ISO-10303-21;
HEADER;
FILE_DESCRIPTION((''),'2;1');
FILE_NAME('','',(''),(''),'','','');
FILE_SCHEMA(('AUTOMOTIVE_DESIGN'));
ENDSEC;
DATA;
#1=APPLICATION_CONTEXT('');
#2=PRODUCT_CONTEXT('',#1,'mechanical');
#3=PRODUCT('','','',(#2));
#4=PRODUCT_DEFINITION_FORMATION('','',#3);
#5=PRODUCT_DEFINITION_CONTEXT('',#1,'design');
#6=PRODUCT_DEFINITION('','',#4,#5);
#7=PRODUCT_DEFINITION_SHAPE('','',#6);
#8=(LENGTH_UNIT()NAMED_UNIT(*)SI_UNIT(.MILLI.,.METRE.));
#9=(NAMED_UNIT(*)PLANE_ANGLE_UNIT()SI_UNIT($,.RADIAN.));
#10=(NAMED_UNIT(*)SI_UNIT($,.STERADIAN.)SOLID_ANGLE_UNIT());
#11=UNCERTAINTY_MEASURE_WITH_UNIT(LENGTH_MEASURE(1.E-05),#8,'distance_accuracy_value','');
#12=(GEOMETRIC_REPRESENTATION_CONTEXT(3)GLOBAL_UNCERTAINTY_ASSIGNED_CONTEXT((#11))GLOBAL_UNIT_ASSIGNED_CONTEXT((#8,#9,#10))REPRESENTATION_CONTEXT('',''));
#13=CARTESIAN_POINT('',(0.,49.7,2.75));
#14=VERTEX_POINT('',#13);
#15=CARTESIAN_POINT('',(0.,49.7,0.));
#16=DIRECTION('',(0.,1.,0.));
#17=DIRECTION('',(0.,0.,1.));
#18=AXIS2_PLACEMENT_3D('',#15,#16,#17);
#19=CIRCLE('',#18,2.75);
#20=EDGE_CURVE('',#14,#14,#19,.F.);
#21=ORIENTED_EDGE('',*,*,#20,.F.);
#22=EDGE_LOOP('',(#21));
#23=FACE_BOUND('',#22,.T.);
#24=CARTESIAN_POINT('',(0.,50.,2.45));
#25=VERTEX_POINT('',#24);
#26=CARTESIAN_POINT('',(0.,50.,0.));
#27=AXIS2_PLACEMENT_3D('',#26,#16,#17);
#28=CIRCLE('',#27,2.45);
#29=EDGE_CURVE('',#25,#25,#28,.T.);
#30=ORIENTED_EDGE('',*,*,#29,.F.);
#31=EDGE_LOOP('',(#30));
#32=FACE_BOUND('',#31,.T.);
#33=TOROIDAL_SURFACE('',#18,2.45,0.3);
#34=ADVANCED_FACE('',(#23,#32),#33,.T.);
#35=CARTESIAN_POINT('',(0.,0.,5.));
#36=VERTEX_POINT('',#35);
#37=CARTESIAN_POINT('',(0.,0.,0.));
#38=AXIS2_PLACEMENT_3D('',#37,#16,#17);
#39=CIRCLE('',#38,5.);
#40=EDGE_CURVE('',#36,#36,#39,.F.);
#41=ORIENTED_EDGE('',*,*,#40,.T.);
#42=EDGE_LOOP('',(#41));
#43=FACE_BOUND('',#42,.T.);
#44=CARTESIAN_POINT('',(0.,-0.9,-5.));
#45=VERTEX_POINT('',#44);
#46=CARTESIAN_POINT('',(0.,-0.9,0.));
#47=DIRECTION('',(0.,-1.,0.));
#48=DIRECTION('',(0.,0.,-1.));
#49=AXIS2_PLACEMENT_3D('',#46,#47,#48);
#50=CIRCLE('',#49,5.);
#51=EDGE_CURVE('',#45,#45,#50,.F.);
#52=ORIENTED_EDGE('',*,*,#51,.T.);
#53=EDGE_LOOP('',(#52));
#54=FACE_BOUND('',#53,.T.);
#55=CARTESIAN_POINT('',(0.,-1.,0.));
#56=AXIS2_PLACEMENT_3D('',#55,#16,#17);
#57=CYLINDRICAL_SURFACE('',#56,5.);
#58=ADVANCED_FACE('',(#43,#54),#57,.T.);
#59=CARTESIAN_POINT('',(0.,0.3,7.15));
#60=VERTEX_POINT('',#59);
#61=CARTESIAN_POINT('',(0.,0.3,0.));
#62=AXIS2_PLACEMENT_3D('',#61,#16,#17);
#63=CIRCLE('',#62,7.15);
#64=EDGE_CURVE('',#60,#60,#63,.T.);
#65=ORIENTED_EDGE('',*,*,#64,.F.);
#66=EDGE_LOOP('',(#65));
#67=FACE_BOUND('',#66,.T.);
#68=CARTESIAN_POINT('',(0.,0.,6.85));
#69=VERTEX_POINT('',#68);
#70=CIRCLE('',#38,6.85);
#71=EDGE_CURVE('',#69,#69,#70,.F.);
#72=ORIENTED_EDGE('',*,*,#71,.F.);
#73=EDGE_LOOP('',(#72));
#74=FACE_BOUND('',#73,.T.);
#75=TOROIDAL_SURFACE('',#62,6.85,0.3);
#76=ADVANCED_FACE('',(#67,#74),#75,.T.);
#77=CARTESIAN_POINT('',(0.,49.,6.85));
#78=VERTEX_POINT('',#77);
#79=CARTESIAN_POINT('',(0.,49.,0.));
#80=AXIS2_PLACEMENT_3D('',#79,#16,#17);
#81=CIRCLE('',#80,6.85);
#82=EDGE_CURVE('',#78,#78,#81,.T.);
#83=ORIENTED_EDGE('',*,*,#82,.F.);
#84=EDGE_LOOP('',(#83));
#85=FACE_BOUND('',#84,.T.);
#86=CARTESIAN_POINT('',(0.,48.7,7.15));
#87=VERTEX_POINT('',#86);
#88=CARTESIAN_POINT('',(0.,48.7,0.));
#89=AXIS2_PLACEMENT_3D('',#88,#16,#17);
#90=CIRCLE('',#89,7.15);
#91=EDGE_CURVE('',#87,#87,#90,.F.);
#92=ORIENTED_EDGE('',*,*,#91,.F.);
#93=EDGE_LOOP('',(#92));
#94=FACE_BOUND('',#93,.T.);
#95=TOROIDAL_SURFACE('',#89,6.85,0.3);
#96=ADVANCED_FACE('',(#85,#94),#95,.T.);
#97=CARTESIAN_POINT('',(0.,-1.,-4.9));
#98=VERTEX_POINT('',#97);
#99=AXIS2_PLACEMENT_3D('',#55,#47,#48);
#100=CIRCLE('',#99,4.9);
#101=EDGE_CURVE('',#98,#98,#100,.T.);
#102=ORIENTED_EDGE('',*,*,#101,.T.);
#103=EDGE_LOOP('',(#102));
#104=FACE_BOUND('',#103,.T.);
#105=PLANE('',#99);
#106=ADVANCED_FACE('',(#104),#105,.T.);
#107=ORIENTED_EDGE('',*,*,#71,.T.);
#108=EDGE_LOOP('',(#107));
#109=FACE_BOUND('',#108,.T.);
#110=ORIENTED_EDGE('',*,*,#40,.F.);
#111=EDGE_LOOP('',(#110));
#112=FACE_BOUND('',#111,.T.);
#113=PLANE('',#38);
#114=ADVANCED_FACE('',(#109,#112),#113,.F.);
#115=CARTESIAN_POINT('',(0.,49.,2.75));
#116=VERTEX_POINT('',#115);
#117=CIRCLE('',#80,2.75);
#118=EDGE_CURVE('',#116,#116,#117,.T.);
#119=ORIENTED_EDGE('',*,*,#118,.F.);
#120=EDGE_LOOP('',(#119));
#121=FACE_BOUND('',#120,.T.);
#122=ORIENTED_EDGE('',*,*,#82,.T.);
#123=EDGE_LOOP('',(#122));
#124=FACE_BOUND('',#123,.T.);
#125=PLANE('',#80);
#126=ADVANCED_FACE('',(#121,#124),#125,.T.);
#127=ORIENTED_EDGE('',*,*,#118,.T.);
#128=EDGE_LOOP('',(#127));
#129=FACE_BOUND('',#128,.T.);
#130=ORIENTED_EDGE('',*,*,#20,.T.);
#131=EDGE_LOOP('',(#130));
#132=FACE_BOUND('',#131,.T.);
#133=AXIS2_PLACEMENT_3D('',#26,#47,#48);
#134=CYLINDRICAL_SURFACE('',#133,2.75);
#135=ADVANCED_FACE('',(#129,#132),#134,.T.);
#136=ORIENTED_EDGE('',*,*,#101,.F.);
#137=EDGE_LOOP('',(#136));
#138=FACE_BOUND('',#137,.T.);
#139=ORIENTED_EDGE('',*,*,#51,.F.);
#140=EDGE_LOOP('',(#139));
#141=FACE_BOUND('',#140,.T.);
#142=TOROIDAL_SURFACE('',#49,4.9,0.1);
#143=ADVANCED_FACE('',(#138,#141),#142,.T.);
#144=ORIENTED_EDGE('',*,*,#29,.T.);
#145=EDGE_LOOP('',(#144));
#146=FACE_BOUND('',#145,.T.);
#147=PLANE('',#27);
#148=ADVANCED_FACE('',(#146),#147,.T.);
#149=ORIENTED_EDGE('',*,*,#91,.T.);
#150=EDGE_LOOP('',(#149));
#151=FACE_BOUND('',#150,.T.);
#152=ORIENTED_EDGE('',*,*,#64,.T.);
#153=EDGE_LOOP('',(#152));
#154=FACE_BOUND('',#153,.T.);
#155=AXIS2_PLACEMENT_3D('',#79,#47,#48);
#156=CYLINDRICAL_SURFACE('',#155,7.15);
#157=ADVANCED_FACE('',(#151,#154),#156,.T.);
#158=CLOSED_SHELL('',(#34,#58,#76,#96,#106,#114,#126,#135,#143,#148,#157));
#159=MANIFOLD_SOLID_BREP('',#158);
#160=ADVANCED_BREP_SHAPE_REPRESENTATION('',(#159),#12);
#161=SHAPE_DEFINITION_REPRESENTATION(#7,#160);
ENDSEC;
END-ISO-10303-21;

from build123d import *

# Parameters (mm, degrees)
SKETCH1_R           = 7.15
BOSS_EXTRUDE1_DEPTH = 49
SKETCH2_R           = 2.75
BOSS_EXTRUDE2_DEPTH = 1
FILLET1_R           = 0.3
SKETCH3_R           = 5
BOSS_EXTRUDE3_DEPTH = 1
FILLET3_R           = 0.1


with BuildPart() as part:
    # Sketch1 → Boss-Extrude1 (new body)
    with BuildSketch(Plane(origin=(0, 0, 0), x_dir=(1, 0, 0), z_dir=(0, 1, 0))):
        Circle(SKETCH1_R)
    extrude(amount=BOSS_EXTRUDE1_DEPTH)

    # Sketch2 → Boss-Extrude2 (add)
    with BuildSketch(Plane(origin=(0, 49, 0), x_dir=(1, 0, 0), z_dir=(0, 1, 0))):
        Circle(SKETCH2_R)
    extrude(amount=BOSS_EXTRUDE2_DEPTH)

    # Fillet1
    fillet1_edges = [part.edges().sort_by_distance(p)[0] for p in [
        (-7.15, 0, 0),
        (-7.15, 49, 0),
        (-2.75, 50, 0),
    ]]
    fillet(fillet1_edges, radius=FILLET1_R)

    # Sketch3 → Boss-Extrude3 (add)
    with BuildSketch(Plane.XZ):
        Circle(SKETCH3_R)
    extrude(amount=BOSS_EXTRUDE3_DEPTH)

    # Fillet3
    fillet3_edges = [part.edges().sort_by_distance(p)[0] for p in [
        (-5, -1, 0),
    ]]
    fillet(fillet3_edges, radius=FILLET3_R)


solid = part.part
